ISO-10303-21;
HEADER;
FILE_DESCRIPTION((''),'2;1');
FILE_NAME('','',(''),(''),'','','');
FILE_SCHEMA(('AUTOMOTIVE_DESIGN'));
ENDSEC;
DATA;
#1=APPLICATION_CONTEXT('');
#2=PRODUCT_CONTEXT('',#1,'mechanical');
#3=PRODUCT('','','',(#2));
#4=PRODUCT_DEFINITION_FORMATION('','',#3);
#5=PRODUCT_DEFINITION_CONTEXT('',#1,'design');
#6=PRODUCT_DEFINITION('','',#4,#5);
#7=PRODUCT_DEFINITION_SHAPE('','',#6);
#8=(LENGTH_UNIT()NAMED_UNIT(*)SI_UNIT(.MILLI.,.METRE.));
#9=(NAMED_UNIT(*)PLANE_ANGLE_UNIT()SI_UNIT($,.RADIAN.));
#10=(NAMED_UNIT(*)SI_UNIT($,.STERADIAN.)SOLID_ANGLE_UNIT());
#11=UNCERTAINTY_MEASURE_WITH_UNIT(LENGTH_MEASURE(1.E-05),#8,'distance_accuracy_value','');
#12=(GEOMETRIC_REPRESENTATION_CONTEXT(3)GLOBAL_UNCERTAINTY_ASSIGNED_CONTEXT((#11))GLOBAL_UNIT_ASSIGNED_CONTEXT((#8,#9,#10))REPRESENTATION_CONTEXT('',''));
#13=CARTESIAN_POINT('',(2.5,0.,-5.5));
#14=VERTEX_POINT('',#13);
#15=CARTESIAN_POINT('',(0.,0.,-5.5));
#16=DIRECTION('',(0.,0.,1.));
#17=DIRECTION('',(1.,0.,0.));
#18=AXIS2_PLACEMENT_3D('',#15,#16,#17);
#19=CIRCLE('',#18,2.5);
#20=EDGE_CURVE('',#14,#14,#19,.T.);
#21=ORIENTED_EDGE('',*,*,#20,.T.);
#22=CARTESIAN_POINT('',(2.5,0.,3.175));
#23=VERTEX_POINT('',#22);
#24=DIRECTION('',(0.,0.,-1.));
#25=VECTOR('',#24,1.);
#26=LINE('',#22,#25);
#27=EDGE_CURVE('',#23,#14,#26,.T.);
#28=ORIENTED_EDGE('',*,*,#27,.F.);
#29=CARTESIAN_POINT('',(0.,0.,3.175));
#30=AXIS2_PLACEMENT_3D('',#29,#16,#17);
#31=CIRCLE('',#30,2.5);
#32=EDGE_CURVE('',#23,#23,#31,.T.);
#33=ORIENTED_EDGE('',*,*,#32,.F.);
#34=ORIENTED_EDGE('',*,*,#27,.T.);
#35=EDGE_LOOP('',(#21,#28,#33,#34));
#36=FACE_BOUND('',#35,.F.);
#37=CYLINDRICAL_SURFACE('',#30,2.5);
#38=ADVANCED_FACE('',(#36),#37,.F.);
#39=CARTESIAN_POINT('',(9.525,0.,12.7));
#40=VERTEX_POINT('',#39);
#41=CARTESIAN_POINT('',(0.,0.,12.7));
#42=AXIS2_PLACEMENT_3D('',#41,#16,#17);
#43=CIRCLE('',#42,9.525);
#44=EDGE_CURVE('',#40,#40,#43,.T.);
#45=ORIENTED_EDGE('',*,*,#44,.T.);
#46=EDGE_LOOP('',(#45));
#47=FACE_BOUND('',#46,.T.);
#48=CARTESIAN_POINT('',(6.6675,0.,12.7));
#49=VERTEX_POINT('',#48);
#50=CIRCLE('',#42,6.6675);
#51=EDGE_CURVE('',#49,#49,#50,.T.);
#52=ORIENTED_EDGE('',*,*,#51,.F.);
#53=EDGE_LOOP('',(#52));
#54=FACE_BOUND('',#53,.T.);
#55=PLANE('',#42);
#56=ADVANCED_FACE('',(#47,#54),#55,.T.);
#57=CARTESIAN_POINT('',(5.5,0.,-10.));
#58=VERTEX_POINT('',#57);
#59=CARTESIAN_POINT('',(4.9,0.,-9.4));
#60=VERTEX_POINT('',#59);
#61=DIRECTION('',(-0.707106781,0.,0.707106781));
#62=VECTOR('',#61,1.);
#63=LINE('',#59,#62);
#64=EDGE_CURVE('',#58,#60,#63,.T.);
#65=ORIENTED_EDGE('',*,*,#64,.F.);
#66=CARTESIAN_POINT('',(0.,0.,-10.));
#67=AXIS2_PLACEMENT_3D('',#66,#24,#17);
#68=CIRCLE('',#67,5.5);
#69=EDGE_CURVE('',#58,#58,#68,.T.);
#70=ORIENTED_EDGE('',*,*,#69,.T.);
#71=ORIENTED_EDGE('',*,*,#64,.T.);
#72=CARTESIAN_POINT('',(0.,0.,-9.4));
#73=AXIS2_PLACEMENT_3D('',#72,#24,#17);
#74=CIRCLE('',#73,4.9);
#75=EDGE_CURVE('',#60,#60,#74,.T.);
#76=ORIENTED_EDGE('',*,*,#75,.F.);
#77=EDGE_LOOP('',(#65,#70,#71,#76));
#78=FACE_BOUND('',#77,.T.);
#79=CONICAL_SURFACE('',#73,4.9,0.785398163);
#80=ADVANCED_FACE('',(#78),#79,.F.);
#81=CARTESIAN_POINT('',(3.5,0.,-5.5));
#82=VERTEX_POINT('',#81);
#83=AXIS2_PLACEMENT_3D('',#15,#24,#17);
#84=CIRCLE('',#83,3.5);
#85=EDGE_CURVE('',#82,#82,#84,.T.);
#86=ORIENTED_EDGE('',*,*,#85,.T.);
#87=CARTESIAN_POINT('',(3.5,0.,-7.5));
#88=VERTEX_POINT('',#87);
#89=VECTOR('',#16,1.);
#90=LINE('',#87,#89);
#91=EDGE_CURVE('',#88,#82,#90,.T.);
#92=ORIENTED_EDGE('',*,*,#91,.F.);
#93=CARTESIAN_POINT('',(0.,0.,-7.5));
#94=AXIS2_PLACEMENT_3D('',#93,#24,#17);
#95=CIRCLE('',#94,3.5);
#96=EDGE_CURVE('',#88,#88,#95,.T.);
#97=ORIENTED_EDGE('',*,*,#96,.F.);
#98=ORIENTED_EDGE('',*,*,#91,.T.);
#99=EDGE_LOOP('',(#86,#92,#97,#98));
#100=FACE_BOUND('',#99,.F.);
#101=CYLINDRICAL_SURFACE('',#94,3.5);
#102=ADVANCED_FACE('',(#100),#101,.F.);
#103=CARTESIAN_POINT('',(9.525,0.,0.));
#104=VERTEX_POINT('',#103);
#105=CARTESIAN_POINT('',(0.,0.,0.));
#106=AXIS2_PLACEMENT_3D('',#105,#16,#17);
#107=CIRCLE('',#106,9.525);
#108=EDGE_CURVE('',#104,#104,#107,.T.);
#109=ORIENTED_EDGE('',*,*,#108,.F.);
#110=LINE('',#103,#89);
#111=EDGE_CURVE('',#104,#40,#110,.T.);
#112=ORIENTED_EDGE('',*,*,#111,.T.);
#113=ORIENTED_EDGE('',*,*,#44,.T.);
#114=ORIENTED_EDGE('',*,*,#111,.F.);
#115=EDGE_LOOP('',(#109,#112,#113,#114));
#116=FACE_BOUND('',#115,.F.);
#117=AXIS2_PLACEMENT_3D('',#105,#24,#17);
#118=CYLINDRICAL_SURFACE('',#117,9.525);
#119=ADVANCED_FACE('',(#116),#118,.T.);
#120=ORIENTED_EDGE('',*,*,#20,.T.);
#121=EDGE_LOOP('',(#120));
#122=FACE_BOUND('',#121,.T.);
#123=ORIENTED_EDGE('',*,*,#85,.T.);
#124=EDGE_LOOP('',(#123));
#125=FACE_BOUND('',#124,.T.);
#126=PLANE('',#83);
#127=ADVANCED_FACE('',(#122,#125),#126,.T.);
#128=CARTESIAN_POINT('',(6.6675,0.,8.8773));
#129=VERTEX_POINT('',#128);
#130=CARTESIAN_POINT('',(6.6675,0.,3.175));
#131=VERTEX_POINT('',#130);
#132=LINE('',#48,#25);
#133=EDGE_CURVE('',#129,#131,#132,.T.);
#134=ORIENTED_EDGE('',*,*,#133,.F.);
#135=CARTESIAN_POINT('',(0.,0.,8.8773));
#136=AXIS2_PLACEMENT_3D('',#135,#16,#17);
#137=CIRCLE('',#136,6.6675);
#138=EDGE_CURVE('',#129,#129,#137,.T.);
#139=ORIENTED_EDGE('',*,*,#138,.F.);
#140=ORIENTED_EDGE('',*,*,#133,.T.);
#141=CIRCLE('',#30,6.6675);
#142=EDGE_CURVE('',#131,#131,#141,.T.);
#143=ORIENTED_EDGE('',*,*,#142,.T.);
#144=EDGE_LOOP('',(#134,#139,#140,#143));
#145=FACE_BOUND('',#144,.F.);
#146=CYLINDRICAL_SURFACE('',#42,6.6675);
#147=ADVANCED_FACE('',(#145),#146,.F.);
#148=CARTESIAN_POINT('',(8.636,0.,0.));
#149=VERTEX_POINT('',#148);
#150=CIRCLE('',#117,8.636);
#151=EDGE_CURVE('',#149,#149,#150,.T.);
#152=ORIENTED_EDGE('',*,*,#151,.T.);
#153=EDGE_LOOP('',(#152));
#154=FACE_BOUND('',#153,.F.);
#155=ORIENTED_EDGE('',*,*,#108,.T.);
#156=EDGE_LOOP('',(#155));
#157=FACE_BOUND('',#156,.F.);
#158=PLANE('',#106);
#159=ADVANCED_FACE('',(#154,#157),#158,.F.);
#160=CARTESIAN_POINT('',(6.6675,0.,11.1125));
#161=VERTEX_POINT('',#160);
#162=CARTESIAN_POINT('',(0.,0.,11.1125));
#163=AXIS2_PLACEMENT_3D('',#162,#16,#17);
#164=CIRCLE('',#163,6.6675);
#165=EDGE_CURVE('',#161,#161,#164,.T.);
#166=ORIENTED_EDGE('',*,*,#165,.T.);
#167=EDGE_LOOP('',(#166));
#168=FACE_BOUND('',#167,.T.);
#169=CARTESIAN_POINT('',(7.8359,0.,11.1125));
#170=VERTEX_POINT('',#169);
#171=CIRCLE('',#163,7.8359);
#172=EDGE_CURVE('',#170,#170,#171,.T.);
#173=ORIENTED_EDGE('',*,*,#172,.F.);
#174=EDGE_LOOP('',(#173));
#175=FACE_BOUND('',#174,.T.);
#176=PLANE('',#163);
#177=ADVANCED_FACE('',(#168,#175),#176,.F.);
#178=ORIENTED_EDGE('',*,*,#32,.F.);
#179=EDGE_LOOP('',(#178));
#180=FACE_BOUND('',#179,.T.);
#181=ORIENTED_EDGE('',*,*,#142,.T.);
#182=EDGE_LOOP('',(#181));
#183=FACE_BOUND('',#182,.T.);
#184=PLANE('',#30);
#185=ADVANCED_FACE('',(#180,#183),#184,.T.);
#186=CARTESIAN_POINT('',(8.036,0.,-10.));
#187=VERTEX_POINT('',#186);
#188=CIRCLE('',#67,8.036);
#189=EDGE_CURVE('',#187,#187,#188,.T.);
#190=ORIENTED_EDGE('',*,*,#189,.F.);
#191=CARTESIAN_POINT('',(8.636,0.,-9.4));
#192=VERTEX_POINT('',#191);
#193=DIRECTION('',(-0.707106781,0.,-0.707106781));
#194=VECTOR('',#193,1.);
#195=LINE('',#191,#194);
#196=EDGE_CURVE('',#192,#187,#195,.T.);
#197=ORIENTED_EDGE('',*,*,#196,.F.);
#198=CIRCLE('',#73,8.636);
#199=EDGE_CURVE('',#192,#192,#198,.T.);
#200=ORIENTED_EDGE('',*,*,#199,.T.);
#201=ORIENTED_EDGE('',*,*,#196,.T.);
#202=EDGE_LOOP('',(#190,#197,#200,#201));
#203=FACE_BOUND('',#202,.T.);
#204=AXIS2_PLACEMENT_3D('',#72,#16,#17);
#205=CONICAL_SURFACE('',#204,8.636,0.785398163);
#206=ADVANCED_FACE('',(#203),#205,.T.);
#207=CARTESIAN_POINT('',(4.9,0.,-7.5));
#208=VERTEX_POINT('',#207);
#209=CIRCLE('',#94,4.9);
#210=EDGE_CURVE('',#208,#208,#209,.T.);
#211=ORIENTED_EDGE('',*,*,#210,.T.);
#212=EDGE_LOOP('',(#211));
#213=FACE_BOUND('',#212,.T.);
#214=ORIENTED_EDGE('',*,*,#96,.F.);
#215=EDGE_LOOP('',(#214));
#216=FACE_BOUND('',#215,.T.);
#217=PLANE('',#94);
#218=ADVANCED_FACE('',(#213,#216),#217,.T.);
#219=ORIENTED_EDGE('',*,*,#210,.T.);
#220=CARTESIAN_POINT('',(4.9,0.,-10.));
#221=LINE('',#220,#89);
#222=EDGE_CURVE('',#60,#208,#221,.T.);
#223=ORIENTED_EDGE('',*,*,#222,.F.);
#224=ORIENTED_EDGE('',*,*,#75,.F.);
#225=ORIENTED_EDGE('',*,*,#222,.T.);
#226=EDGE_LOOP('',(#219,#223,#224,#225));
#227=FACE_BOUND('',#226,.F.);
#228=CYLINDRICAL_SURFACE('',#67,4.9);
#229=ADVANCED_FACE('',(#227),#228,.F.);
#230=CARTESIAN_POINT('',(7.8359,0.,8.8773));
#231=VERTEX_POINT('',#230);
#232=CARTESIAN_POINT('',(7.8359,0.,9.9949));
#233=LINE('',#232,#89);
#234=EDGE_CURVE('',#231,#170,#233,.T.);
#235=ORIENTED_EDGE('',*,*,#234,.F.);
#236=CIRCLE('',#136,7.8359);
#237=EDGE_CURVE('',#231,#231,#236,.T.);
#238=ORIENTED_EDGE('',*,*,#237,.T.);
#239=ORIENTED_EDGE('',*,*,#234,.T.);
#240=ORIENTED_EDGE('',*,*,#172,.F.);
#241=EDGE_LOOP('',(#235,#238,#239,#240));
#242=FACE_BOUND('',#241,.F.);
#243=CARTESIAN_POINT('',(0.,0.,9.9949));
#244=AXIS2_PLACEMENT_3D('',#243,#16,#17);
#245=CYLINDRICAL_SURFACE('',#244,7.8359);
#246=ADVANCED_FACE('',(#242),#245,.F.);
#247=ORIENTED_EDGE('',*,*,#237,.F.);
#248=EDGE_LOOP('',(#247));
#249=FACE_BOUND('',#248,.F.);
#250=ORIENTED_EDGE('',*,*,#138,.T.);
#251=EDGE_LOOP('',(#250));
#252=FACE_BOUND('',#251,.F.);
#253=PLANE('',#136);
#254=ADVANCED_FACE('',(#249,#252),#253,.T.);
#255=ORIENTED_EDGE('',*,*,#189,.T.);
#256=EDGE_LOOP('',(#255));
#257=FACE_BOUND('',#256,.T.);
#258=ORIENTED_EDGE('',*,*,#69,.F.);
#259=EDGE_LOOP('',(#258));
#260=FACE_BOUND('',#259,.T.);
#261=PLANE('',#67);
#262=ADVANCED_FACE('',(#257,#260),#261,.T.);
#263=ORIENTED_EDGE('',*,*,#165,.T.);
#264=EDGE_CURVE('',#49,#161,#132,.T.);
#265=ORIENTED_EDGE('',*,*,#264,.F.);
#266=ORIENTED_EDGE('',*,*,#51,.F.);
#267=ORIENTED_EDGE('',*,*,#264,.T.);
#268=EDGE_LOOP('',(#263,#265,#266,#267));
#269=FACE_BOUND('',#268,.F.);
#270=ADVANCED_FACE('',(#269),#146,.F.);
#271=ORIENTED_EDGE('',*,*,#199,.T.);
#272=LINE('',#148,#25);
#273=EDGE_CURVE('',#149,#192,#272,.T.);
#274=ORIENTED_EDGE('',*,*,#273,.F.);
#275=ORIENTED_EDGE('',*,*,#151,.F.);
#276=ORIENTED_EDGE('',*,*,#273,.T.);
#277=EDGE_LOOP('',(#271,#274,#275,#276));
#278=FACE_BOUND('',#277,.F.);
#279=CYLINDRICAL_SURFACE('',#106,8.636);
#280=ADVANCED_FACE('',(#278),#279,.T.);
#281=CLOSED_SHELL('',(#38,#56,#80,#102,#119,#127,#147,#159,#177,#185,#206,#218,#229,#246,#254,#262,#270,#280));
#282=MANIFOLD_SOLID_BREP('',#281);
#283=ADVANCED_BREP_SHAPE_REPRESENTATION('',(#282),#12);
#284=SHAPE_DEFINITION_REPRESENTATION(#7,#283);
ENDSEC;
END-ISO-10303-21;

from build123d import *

# Parameters (mm, degrees)
F0_R      = 9.525
F1_DEPTH  = 12.7
F2_R      = 6.6675
F3_DEPTH  = 9.525
F4_W      = 1.1684
F4_H      = 2.2352
F6_R      = 8.636
F7_DEPTH  = 10
F8_R      = 4.9
F9_DEPTH  = 2.5
F10_R     = 2.5
F11_DEPTH = 25.4
F12_R     = 3.5
F13_DEPTH = 2
F14_SIZE  = 0.6


with BuildPart() as f1:
    # F0 (on Top) → F1 (new body)
    with BuildSketch(Plane.XY):
        Circle(F0_R)
    extrude(amount=F1_DEPTH)

    # F2 (on face) → F3 (cut)
    with BuildSketch(Plane.XY.offset(12.7)):
        Circle(F2_R)
    extrude(amount=-F3_DEPTH, mode=Mode.SUBTRACT)

    # F4 (on Front) → F5 (revolve, cut)
    with BuildSketch(Plane.XZ):
        with Locations((7.2517, 9.9949)):
            Rectangle(F4_W, F4_H)
    revolve(axis=Axis((0, 0, 19.022157), (0, 0, 1)), mode=Mode.SUBTRACT)

    # F6 (on face) → F7 (join)
    with BuildSketch(Plane(origin=(0, 0, 0), x_dir=(1, 0, 0), z_dir=(0, 0, -1))):
        Circle(F6_R)
    extrude(amount=F7_DEPTH)

    # F8 (on face) → F9 (cut)
    with BuildSketch(Plane(origin=(0, 0, -10), x_dir=(1, 0, 0), z_dir=(0, 0, -1))):
        Circle(F8_R)
    extrude(amount=-F9_DEPTH, mode=Mode.SUBTRACT)

    # F10 (on face) → F11 (cut)
    with BuildSketch(Plane.XY.offset(3.175)):
        Circle(F10_R)
    extrude(amount=-F11_DEPTH, mode=Mode.SUBTRACT)

    # F12 (on face) → F13 (cut)
    with BuildSketch(Plane(origin=(0, 0, -7.5), x_dir=(1, 0, 0), z_dir=(0, 0, -1))):
        Circle(F12_R)
    extrude(amount=-F13_DEPTH, mode=Mode.SUBTRACT)

    # F14
    f14_edges = [f1.edges().sort_by_distance(p)[0] for p in [
        (-4.9, 0, -10),
        (-8.636, 0, -10),
    ]]
    chamfer(f14_edges, length=F14_SIZE)


solid = f1.part
